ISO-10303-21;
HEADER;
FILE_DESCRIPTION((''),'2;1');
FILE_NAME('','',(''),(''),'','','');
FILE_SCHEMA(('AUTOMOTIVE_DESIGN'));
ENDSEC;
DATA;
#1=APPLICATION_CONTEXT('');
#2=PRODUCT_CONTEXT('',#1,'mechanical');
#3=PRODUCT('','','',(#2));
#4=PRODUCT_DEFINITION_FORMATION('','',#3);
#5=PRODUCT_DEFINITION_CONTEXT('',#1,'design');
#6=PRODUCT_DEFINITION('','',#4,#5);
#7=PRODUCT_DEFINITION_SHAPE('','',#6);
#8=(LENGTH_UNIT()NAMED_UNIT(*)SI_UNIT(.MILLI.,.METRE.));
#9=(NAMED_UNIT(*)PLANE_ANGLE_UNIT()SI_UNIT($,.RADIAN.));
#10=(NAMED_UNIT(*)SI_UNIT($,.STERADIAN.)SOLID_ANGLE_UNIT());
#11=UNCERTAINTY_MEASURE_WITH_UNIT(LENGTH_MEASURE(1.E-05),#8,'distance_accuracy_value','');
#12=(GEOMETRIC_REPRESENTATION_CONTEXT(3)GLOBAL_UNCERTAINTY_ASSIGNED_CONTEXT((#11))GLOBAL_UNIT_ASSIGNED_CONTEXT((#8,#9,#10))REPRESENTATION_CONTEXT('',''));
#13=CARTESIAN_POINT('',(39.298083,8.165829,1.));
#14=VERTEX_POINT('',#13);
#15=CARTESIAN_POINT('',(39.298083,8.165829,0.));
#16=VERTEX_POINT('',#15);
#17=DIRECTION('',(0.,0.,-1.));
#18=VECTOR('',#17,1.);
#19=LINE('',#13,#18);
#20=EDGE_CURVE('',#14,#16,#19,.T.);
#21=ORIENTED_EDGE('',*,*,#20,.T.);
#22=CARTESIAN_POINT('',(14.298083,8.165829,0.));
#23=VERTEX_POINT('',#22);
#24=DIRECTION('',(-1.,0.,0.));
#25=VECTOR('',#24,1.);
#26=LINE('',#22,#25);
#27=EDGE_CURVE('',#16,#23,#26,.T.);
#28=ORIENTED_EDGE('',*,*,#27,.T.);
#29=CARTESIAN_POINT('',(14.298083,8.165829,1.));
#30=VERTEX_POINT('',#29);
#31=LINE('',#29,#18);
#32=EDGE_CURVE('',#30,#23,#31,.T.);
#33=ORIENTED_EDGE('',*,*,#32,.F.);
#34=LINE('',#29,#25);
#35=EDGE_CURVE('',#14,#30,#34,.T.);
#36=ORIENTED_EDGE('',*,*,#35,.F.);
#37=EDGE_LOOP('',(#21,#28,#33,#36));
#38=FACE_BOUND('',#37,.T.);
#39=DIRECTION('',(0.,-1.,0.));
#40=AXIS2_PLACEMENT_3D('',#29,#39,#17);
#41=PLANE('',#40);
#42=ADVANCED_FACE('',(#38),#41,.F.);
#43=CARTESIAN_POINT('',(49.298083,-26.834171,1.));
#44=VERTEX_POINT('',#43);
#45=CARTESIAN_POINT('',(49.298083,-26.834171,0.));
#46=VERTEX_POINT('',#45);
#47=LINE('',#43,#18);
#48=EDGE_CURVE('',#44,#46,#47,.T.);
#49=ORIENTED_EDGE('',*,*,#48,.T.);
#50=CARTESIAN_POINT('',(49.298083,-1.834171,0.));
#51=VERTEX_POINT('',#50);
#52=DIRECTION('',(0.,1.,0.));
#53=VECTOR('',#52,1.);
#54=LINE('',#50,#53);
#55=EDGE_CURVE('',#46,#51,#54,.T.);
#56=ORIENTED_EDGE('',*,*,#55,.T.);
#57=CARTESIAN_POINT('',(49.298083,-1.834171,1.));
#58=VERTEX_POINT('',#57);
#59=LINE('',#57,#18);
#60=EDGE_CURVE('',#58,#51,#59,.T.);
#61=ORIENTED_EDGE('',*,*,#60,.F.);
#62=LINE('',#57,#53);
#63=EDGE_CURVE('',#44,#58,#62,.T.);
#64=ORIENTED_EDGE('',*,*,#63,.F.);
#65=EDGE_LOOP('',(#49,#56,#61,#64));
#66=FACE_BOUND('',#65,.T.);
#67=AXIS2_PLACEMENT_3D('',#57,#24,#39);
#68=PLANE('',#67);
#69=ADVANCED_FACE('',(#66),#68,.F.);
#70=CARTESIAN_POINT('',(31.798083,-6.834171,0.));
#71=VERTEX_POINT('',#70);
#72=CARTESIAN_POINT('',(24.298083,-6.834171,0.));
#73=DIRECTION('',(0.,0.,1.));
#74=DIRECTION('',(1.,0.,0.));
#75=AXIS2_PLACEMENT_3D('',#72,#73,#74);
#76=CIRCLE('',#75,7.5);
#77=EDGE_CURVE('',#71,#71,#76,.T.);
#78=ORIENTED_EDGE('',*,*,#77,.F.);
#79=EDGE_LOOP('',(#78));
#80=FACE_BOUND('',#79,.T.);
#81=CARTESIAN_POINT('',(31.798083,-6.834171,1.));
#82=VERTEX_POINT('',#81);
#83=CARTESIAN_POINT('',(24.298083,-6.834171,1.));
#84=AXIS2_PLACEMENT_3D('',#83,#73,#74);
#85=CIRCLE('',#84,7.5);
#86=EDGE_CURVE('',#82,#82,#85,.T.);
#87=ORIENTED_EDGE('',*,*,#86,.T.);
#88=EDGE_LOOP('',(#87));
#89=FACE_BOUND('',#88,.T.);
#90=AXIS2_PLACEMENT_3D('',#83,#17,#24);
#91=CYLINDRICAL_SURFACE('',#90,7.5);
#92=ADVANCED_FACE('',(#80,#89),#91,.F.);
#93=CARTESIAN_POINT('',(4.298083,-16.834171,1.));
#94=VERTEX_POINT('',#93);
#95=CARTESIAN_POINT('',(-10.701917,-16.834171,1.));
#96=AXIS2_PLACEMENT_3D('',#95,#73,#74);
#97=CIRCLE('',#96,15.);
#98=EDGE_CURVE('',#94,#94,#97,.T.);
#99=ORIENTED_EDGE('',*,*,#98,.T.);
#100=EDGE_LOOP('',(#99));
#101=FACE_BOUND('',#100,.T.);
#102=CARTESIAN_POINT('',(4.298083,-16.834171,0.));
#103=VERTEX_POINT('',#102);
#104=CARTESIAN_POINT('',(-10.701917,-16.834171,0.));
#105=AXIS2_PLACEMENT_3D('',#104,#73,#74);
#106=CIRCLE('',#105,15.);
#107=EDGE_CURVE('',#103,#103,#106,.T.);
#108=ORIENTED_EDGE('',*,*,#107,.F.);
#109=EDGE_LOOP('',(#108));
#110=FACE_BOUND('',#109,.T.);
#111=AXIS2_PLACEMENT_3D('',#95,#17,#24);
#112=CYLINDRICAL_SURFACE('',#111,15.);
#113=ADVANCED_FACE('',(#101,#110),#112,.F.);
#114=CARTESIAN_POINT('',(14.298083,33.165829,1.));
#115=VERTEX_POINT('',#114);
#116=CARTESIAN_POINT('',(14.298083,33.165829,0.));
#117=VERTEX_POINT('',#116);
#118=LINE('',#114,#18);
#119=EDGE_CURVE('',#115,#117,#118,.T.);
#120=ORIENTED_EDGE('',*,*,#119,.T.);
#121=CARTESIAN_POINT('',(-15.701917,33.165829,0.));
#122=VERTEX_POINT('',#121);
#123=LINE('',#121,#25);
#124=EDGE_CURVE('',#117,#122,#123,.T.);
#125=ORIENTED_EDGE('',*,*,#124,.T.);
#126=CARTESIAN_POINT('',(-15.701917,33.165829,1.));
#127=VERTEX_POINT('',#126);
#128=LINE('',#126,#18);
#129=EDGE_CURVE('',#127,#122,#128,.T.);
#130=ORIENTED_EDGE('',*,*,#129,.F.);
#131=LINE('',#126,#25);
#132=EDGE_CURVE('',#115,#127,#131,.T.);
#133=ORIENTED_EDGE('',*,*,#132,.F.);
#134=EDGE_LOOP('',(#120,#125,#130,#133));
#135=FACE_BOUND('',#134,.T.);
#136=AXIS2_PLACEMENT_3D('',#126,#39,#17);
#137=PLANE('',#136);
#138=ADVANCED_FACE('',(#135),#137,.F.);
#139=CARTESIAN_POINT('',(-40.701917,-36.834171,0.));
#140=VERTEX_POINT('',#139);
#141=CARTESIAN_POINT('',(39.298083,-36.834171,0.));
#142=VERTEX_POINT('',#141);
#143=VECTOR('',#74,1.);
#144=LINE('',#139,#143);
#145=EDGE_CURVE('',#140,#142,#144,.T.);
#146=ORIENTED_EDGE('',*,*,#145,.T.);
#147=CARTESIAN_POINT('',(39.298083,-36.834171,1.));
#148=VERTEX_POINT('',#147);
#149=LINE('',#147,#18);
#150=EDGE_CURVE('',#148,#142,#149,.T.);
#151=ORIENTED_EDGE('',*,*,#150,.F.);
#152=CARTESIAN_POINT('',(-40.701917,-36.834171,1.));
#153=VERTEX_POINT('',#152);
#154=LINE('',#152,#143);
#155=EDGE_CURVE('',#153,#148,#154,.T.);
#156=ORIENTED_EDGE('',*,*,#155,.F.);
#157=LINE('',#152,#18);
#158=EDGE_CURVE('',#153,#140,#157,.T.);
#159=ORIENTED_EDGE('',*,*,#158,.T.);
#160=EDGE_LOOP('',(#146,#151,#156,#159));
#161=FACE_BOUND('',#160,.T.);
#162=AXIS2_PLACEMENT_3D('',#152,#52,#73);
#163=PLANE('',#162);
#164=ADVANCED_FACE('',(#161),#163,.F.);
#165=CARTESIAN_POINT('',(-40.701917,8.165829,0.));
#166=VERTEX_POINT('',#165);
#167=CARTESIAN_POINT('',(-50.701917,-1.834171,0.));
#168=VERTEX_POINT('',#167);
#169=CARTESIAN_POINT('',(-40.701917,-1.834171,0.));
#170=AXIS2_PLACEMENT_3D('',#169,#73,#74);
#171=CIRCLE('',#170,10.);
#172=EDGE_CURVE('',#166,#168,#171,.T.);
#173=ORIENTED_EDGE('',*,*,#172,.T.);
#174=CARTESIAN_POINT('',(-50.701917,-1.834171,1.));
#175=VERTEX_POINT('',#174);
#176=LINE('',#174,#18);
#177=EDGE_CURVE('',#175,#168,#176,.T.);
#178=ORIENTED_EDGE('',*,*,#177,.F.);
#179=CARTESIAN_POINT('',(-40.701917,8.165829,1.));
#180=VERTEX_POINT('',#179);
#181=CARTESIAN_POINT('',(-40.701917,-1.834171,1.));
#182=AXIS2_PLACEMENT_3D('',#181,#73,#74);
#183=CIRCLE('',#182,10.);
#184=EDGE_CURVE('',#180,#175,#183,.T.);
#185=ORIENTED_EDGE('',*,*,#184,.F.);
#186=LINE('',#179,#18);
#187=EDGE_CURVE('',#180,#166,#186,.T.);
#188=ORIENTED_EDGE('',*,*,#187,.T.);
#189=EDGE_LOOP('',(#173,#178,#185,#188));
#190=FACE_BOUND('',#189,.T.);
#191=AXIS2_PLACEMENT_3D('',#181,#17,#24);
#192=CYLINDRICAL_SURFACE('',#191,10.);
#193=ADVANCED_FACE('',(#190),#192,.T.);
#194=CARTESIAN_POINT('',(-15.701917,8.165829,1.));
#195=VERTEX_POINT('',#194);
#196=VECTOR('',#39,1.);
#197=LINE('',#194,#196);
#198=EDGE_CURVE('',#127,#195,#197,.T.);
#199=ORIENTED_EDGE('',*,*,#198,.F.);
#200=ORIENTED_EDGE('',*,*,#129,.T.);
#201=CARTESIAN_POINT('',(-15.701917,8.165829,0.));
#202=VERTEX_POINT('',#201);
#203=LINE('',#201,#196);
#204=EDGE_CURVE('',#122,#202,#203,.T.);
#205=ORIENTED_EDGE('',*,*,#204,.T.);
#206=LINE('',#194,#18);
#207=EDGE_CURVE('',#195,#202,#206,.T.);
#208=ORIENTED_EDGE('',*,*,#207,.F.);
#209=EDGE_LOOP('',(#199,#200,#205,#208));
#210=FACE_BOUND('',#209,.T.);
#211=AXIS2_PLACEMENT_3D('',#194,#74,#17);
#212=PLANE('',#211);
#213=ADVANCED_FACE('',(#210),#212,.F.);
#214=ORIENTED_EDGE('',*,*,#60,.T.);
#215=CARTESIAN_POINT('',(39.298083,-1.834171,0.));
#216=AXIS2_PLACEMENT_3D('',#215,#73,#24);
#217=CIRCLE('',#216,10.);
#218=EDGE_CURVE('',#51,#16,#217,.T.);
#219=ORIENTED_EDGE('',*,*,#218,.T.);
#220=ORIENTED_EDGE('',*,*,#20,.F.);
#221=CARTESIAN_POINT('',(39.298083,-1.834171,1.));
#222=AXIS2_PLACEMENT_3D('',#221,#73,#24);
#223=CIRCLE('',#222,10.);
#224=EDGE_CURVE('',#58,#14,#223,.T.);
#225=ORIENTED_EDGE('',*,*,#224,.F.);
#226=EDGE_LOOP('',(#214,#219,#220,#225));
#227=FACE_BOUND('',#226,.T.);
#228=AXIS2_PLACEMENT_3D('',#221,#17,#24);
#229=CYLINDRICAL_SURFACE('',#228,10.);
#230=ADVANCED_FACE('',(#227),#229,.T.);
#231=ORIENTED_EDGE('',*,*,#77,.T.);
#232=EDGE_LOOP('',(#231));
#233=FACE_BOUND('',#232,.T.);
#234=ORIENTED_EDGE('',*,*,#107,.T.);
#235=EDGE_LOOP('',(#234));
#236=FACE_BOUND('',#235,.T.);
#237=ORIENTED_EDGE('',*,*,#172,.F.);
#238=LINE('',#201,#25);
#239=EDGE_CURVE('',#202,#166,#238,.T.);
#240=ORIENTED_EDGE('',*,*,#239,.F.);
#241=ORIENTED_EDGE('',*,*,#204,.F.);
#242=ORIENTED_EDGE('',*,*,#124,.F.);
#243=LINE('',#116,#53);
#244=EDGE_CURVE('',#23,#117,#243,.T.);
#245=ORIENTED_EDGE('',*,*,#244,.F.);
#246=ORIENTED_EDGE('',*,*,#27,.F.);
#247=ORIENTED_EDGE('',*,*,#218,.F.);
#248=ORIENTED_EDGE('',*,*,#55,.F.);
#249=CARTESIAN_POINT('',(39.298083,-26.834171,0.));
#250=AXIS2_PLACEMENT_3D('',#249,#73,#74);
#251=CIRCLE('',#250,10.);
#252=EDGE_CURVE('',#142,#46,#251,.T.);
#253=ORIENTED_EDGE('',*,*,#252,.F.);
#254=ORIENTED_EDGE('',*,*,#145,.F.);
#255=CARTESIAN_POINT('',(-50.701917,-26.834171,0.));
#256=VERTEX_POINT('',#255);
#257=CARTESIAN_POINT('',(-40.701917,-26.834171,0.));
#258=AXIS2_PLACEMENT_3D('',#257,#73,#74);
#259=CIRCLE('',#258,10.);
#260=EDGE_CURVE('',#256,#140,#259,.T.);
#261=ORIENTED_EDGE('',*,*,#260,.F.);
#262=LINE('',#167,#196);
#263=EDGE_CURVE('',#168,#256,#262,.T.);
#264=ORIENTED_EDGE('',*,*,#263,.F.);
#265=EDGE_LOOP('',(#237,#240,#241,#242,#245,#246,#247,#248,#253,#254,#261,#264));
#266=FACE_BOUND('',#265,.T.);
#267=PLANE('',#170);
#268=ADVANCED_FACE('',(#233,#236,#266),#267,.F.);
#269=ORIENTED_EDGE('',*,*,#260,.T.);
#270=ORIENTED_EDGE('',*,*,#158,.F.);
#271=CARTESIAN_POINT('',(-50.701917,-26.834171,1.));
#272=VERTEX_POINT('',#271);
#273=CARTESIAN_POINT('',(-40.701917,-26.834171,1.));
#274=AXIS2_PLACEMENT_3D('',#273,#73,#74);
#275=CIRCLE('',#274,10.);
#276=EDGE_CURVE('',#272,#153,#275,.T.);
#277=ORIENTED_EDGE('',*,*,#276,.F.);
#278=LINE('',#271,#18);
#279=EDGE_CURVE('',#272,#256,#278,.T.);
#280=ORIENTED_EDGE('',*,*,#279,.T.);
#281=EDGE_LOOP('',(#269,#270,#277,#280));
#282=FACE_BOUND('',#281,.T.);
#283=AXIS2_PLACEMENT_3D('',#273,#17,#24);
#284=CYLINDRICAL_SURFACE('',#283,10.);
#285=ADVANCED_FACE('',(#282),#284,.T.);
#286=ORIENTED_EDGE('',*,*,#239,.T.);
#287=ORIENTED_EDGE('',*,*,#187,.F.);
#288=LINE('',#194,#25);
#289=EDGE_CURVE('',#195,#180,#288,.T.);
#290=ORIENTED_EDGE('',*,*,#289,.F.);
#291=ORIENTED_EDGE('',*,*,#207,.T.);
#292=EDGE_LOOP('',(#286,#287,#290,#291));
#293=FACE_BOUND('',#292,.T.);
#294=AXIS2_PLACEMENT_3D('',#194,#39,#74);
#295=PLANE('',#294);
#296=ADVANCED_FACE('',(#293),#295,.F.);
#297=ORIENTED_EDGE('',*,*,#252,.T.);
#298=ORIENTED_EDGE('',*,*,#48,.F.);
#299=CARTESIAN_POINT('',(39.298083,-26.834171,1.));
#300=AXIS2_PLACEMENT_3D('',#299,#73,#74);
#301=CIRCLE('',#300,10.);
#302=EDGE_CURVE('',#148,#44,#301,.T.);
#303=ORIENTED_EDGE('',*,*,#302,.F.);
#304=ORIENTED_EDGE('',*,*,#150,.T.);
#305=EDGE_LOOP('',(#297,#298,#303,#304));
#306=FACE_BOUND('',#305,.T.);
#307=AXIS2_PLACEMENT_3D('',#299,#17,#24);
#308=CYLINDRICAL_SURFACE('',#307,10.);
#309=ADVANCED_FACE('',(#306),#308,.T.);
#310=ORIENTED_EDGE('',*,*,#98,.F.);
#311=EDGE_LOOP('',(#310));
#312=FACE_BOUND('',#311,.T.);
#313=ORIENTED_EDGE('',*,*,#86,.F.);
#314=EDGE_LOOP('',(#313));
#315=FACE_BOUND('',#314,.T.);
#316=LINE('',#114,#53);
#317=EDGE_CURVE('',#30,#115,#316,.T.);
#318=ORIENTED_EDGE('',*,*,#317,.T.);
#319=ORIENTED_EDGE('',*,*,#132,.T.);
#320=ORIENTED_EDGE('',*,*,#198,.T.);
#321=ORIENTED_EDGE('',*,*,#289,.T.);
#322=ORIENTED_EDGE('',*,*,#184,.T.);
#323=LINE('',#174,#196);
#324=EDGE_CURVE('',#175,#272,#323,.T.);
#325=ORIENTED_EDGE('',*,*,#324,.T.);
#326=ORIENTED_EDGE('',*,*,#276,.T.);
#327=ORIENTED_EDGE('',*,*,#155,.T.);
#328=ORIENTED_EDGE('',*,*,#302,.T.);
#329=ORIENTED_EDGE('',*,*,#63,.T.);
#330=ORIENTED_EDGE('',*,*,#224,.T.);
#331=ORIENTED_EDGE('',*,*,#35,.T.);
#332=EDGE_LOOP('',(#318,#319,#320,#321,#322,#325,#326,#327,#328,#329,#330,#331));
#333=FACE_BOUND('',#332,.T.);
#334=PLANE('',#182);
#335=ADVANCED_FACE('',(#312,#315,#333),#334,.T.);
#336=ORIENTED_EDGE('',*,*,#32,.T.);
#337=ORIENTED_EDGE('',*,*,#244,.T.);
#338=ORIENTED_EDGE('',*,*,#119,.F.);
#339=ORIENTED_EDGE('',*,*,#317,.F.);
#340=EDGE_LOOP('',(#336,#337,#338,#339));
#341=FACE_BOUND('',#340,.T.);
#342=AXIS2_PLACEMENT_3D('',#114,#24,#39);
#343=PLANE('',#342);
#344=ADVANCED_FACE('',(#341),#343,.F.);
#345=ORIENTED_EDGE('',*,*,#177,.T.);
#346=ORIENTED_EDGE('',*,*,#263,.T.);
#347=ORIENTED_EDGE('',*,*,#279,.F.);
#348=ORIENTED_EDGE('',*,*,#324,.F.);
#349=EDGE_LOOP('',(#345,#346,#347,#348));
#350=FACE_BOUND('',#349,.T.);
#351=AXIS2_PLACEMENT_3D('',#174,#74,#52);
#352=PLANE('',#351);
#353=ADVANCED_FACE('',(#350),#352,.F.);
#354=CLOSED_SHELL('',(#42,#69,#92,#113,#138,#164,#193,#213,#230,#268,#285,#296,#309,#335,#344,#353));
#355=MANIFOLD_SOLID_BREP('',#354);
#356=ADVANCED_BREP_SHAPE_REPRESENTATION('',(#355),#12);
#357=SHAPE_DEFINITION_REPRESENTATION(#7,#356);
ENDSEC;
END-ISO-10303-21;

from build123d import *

# Parameters (mm, degrees)
SKETCH1_R           = 15
SKETCH1_R_2         = 7.5
BOSS_EXTRUDE1_DEPTH = 1


with BuildPart() as part:
    # Sketch1 → Boss-Extrude1 (new body)
    with BuildSketch(Plane.XY):
        with BuildLine():
            Line((-15.701917229, 8.165829146), (-15.701917229, 33.165829146))
            Line((-15.701917229, 33.165829146), (14.298082771, 33.165829146))
            Line((14.298082771, 33.165829146), (14.298082771, 8.165829146))
            Line((14.298082771, 8.165829146), (39.298082771, 8.165829146))
            ThreePointArc((39.298082771, 8.165829146), (46.369150582, 5.236896958), (49.298082771, -1.834170854))
            Line((49.298082771, -1.834170854), (49.298082771, -26.834170854))
            ThreePointArc((49.298082771, -26.834170854), (46.369150582, -33.905238666), (39.298082771, -36.834170854))
            Line((39.298082771, -36.834170854), (-40.701917229, -36.834170854))
            ThreePointArc((-40.701917229, -36.834170854), (-47.772985041, -33.905238666), (-50.701917229, -26.834170854))
            Line((-50.701917229, -26.834170854), (-50.701917229, -1.834170854))
            ThreePointArc((-50.701917229, -1.834170854), (-47.772985041, 5.236896958), (-40.701917229, 8.165829146))
            Line((-40.701917229, 8.165829146), (-15.701917229, 8.165829146))
        make_face()
        with Locations((-10.701917229, -16.834170854)):
            Circle(SKETCH1_R, mode=Mode.SUBTRACT)
        with Locations((24.298082771, -6.834170854)):
            Circle(SKETCH1_R_2, mode=Mode.SUBTRACT)
    extrude(amount=BOSS_EXTRUDE1_DEPTH)


solid = part.part
